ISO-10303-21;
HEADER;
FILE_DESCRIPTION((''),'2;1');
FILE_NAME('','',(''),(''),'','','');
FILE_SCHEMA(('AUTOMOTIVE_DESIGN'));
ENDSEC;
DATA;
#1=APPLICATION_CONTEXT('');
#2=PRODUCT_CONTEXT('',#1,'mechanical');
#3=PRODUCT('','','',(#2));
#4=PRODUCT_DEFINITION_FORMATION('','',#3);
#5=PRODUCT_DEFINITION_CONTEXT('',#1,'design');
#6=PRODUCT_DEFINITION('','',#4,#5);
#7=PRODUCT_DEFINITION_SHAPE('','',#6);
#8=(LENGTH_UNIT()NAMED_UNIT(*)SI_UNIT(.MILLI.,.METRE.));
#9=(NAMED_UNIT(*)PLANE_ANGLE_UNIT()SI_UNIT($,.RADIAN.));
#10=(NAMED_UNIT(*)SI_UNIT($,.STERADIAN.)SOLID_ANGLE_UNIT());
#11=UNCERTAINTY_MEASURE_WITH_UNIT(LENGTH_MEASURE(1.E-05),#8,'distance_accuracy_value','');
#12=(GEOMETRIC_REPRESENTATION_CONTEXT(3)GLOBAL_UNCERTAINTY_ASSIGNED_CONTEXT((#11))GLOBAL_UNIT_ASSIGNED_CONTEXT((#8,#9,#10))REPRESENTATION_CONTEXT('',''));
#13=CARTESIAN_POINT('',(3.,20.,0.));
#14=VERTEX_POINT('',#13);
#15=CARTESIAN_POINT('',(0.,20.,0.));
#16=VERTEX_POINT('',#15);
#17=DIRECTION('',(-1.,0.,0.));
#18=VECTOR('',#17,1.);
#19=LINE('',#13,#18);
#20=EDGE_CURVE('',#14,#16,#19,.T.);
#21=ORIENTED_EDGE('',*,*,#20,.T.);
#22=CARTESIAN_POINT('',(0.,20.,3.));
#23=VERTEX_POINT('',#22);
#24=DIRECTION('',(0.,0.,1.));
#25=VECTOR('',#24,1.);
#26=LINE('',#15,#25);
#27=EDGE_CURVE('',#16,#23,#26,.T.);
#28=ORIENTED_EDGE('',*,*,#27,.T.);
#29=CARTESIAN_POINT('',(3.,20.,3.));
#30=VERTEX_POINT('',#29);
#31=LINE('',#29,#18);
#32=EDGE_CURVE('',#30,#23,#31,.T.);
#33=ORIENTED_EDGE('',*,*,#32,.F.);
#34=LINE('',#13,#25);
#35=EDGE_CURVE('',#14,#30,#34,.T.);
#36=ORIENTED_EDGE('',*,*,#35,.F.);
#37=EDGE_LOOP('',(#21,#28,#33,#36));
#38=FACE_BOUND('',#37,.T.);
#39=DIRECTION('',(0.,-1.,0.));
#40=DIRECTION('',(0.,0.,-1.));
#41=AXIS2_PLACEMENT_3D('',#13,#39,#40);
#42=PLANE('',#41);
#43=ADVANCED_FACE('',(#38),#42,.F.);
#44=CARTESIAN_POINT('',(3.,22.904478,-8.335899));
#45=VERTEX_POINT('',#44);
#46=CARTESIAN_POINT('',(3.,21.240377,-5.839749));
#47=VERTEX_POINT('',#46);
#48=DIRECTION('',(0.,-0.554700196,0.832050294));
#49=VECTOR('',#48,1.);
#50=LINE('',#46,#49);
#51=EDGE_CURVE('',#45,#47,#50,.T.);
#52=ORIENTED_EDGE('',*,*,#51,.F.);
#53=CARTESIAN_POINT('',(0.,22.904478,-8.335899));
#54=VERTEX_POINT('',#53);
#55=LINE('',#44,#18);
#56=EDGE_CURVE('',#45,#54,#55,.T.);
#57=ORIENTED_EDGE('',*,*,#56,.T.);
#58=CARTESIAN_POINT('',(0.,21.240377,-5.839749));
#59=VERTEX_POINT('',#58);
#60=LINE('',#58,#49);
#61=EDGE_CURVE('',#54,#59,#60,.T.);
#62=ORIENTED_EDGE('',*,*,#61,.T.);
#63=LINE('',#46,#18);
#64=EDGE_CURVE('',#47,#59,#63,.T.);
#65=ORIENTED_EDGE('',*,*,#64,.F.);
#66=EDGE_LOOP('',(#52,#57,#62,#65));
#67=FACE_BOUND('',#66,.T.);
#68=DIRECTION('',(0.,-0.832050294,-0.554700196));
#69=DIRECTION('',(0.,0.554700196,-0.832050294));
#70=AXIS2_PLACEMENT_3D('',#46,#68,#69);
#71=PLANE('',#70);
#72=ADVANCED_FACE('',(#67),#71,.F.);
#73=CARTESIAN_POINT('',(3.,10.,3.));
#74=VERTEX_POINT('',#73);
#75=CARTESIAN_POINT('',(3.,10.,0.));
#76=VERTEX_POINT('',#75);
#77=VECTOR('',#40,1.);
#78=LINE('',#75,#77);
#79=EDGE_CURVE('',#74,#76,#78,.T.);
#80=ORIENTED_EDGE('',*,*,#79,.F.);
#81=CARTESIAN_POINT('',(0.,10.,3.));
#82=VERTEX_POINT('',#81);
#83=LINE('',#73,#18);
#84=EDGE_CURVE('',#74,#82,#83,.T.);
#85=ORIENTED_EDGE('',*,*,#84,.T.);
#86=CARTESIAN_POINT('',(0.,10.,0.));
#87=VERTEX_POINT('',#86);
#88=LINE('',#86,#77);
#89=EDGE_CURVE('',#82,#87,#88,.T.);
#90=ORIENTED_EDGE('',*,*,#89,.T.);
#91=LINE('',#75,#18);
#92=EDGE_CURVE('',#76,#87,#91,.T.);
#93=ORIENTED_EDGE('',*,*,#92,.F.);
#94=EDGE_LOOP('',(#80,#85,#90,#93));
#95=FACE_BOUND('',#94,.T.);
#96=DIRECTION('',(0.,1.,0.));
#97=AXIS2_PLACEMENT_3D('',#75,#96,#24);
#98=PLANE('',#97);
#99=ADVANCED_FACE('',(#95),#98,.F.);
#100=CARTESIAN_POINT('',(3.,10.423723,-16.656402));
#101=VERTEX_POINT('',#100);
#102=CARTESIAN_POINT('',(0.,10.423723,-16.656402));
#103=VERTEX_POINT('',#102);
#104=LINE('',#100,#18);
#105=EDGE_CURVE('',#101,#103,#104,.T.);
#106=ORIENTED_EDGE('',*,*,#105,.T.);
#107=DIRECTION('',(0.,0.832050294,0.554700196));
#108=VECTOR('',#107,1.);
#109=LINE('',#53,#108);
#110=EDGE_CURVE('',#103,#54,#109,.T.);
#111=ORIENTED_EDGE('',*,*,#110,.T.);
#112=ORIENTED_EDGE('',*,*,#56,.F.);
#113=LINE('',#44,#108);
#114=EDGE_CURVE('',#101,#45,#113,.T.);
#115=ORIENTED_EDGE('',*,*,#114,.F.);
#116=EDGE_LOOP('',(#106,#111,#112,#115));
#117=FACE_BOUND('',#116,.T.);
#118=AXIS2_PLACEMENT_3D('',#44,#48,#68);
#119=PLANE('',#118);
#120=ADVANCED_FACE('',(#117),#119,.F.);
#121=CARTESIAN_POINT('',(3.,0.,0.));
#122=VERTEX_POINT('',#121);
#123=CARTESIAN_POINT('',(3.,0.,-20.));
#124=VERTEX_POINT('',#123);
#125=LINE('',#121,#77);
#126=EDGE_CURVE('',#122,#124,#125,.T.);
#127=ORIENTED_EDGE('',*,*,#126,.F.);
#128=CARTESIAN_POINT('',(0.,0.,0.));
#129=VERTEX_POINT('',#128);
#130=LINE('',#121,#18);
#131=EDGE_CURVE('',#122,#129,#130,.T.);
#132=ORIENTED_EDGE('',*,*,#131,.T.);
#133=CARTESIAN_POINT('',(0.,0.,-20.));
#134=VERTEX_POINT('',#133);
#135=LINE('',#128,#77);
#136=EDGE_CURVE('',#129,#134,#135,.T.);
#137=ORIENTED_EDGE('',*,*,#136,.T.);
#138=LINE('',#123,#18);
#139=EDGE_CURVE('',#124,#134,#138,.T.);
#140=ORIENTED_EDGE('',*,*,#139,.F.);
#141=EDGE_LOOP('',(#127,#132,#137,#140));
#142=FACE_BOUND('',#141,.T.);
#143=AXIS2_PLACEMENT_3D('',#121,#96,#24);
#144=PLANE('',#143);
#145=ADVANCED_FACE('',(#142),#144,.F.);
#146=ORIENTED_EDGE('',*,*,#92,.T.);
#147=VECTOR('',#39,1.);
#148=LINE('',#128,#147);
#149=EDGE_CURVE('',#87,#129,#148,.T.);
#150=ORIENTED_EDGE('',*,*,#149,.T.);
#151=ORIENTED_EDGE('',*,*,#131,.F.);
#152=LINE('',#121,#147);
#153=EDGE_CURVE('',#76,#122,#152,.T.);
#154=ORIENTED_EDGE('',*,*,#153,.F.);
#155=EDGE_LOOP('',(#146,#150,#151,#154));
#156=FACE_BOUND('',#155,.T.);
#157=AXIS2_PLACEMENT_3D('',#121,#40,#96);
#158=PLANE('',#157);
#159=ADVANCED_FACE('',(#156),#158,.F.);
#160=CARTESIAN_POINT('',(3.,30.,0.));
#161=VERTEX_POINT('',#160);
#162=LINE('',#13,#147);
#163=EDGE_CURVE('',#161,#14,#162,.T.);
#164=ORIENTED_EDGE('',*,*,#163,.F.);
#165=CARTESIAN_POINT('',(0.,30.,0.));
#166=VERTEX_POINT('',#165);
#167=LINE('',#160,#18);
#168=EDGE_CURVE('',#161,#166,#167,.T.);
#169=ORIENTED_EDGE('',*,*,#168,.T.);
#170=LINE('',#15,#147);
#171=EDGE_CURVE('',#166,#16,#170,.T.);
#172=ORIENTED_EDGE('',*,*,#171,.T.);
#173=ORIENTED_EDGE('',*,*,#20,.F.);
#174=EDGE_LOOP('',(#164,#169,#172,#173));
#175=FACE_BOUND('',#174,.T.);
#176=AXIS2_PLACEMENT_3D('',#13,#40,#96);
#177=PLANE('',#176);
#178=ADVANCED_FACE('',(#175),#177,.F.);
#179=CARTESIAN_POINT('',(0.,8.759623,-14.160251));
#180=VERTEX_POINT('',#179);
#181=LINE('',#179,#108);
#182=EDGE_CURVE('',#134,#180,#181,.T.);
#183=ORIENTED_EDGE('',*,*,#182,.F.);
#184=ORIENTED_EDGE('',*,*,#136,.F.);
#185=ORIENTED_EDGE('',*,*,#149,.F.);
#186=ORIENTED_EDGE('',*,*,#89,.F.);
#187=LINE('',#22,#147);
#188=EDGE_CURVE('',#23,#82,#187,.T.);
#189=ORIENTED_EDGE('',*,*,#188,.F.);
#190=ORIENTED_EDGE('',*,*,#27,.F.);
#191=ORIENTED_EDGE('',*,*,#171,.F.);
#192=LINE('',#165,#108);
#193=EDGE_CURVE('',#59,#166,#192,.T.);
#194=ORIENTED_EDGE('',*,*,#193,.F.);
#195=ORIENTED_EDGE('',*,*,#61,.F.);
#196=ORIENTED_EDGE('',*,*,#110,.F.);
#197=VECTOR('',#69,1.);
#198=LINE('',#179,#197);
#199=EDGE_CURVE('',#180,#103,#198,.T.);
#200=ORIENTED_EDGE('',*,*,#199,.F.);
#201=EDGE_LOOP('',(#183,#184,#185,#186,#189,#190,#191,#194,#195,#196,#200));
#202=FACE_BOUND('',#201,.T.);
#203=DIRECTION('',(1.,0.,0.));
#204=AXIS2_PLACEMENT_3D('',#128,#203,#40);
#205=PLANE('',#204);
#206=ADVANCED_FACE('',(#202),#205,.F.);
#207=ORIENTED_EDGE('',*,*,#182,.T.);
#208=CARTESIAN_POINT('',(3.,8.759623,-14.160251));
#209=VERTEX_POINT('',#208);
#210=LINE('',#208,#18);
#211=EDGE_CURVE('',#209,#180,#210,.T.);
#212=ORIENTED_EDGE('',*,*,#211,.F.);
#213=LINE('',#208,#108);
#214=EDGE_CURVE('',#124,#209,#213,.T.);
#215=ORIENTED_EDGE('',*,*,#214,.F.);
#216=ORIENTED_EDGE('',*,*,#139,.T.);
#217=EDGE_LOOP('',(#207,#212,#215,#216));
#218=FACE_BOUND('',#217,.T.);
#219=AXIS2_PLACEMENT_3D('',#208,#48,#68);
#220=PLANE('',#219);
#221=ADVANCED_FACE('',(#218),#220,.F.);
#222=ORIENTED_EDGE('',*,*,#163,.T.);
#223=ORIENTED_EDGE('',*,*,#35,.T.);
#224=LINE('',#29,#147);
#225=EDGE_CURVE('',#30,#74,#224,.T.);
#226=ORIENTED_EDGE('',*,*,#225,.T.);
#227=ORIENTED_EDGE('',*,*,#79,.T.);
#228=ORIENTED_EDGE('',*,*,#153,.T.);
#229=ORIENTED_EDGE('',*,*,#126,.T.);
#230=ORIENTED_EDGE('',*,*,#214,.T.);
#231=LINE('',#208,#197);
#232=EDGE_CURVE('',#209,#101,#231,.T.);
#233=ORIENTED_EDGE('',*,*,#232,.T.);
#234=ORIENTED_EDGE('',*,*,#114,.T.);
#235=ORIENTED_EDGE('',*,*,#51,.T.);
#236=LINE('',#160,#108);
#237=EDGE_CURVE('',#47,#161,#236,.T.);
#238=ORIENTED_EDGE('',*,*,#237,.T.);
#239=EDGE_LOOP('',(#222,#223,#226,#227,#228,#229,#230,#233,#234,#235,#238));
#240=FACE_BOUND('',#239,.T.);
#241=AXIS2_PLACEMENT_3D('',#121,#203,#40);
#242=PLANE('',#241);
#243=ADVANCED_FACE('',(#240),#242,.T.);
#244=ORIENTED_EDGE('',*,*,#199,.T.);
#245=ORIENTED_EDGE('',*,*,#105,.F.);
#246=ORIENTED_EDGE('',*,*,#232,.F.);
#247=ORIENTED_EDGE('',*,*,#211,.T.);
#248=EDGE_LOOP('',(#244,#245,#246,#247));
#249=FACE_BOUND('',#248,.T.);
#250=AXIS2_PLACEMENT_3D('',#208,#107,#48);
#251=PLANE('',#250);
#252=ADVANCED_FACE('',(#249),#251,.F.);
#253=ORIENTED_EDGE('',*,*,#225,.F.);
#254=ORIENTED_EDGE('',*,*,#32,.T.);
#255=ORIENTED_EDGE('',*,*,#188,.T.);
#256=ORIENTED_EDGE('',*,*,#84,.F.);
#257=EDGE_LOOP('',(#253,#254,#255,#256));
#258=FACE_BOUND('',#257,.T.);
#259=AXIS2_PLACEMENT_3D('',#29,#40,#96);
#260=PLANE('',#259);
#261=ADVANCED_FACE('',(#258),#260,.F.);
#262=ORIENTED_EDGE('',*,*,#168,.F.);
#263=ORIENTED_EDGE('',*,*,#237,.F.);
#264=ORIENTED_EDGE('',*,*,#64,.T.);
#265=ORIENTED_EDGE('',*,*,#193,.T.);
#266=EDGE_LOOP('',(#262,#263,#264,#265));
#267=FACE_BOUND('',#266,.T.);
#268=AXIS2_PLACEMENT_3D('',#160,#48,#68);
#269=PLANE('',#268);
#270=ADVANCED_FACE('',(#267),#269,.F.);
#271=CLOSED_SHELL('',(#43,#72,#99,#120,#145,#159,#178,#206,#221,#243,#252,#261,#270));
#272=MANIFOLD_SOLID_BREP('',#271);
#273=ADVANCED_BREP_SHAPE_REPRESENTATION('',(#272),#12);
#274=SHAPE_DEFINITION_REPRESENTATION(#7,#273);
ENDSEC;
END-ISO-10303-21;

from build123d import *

# Parameters (mm, degrees)
BOSS_EXTRUDE1_DEPTH = 3


with BuildPart() as part:
    # Sketch1 → Boss-Extrude1 (new body)
    with BuildSketch(Plane(origin=(0, 0, 0), x_dir=(0, 0, -1), z_dir=(1, 0, 0))):
        Polygon((0, 30), (5.839748528, 21.240377208), (8.335899411, 22.904477796), (16.656402355, 10.423723381), (14.160251472, 8.759622792), (20, 0), (0, 0), (0, 10), (-3, 10), (-3, 20), (0, 20), align=None)
    extrude(amount=BOSS_EXTRUDE1_DEPTH)


solid = part.part
